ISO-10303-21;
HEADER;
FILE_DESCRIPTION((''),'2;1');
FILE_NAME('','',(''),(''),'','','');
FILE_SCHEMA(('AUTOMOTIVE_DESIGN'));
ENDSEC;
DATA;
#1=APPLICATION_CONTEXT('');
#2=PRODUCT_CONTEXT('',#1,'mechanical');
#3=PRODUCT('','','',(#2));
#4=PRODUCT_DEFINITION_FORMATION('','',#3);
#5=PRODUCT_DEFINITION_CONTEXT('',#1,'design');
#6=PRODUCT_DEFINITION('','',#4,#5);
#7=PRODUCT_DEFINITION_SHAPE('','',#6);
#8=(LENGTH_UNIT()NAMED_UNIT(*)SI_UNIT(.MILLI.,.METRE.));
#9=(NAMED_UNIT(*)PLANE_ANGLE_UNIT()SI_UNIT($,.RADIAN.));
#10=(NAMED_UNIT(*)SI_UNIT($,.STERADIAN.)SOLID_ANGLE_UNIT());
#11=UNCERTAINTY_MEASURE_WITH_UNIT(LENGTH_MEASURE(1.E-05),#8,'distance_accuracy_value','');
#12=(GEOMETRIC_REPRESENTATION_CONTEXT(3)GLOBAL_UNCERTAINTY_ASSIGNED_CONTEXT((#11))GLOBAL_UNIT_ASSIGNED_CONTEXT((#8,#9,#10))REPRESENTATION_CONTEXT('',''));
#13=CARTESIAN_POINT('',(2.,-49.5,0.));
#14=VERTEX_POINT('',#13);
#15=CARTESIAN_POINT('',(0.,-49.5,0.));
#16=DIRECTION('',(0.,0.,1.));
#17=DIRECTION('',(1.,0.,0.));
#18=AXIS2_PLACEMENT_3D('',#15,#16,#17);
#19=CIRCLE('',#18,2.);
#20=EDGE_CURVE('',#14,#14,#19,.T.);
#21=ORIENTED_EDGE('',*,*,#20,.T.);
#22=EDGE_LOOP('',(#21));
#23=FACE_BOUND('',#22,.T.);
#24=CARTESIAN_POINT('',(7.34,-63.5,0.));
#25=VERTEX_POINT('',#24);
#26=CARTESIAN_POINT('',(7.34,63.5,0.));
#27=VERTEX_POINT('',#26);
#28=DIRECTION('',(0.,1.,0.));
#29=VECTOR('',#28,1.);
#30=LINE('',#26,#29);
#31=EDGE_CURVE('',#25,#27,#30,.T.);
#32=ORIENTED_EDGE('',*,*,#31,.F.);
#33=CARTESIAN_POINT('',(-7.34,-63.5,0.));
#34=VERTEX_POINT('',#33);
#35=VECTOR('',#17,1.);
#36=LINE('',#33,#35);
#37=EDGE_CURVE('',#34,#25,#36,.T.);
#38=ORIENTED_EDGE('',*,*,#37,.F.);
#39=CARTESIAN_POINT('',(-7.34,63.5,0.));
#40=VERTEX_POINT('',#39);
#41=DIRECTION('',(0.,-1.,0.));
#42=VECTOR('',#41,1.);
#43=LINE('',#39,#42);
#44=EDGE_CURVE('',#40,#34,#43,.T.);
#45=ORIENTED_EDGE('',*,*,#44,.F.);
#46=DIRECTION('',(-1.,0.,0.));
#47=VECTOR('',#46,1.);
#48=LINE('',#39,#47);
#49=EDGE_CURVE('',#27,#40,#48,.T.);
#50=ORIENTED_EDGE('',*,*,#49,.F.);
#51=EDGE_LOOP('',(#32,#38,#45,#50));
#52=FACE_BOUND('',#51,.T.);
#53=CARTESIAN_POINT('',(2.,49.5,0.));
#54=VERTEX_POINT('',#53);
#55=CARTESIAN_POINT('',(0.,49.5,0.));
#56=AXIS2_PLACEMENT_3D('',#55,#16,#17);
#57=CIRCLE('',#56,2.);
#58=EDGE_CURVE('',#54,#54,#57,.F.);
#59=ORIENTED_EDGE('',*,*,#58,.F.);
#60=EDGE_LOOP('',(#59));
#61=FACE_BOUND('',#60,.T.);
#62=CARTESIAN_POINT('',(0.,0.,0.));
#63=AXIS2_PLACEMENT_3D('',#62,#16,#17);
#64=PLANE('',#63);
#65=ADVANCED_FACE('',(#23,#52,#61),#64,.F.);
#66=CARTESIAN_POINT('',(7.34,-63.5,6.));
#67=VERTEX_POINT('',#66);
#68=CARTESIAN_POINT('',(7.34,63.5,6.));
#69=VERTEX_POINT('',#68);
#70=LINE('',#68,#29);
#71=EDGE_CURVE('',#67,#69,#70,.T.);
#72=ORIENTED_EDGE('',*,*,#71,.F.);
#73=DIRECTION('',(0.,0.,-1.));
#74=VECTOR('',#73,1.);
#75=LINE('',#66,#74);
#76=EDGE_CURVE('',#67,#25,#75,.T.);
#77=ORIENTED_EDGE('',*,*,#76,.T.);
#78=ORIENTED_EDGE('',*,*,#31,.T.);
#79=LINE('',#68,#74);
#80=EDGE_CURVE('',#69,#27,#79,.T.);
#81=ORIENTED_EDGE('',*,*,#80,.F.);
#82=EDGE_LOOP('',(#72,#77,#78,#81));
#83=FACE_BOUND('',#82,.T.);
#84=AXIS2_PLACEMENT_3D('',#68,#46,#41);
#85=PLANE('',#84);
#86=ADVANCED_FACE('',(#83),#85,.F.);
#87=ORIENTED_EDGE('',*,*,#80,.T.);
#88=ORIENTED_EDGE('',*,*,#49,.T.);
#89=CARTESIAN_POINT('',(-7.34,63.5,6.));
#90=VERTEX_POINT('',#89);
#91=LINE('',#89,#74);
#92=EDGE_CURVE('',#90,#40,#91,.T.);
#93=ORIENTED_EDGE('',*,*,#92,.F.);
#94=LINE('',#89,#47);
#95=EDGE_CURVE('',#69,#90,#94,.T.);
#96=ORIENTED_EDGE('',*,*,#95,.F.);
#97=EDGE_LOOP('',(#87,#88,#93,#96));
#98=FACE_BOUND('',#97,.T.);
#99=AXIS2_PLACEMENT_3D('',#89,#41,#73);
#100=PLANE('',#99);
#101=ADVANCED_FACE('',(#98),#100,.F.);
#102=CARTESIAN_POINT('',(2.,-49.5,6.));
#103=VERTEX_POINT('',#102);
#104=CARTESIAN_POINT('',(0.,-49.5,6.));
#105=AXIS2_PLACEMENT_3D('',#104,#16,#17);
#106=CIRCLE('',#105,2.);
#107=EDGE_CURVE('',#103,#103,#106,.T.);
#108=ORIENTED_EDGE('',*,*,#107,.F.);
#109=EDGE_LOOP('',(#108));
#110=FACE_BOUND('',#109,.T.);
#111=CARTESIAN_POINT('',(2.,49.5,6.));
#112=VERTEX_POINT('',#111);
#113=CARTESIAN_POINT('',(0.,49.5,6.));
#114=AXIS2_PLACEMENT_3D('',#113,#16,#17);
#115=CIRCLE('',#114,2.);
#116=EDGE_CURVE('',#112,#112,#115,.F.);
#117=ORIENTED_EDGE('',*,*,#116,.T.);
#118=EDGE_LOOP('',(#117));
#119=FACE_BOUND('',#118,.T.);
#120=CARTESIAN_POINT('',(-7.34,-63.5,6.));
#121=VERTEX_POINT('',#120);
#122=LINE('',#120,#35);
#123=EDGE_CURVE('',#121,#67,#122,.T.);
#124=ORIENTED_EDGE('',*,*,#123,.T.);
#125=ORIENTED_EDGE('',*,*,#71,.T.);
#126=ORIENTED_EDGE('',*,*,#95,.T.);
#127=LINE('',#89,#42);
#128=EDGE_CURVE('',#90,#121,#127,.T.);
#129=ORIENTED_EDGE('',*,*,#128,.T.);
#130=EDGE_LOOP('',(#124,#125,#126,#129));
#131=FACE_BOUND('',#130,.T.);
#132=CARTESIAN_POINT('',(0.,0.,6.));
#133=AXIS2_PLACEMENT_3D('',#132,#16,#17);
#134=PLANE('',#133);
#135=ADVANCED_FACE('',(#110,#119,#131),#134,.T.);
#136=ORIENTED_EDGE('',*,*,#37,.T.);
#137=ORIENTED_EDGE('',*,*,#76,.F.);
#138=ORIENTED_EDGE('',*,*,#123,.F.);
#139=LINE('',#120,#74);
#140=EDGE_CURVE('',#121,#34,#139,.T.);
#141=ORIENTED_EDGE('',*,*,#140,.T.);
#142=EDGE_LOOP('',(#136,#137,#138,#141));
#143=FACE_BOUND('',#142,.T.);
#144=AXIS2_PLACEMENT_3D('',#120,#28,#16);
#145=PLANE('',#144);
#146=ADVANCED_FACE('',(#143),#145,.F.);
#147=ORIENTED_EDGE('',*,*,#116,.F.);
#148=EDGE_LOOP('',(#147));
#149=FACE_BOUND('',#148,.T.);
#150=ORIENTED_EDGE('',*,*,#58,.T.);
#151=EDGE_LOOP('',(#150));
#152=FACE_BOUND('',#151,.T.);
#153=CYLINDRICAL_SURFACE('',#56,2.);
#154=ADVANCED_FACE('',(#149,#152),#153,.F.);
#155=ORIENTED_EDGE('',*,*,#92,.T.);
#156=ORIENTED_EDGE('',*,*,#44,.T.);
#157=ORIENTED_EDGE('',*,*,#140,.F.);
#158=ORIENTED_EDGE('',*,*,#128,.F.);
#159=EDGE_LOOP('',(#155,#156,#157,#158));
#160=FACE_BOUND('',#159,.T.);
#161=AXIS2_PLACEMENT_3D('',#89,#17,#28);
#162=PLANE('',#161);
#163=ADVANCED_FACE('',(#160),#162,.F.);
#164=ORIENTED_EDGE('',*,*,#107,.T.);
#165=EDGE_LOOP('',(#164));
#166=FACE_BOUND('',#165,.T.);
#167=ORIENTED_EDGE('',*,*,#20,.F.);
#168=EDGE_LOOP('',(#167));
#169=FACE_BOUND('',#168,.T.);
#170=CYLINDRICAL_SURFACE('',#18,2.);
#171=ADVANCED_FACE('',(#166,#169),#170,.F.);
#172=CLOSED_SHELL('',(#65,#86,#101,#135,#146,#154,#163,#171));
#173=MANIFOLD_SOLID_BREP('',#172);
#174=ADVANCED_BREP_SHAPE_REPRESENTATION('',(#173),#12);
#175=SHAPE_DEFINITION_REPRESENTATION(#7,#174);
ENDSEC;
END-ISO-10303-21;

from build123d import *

# Parameters (mm, degrees)
SKETCH1_W           = 14.68
SKETCH1_H           = 127
BOSS_EXTRUDE1_DEPTH = 6
SKETCH2_R           = 2
CUT_EXTRUDE1_DEPTH  = 6


with BuildPart() as part:
    # Sketch1 → Boss-Extrude1 (new body)
    with BuildSketch(Plane.XY):
        Rectangle(SKETCH1_W, SKETCH1_H)
    extrude(amount=BOSS_EXTRUDE1_DEPTH)

    # Sketch2 → Cut-Extrude1 (cut)
    with BuildSketch(Plane.XY.offset(6)):
        with Locations((0, -49.5)):
            Circle(SKETCH2_R)
        with Locations((0, 49.5)):
            Circle(SKETCH2_R)
    extrude(amount=-CUT_EXTRUDE1_DEPTH, mode=Mode.SUBTRACT)


solid = part.part
